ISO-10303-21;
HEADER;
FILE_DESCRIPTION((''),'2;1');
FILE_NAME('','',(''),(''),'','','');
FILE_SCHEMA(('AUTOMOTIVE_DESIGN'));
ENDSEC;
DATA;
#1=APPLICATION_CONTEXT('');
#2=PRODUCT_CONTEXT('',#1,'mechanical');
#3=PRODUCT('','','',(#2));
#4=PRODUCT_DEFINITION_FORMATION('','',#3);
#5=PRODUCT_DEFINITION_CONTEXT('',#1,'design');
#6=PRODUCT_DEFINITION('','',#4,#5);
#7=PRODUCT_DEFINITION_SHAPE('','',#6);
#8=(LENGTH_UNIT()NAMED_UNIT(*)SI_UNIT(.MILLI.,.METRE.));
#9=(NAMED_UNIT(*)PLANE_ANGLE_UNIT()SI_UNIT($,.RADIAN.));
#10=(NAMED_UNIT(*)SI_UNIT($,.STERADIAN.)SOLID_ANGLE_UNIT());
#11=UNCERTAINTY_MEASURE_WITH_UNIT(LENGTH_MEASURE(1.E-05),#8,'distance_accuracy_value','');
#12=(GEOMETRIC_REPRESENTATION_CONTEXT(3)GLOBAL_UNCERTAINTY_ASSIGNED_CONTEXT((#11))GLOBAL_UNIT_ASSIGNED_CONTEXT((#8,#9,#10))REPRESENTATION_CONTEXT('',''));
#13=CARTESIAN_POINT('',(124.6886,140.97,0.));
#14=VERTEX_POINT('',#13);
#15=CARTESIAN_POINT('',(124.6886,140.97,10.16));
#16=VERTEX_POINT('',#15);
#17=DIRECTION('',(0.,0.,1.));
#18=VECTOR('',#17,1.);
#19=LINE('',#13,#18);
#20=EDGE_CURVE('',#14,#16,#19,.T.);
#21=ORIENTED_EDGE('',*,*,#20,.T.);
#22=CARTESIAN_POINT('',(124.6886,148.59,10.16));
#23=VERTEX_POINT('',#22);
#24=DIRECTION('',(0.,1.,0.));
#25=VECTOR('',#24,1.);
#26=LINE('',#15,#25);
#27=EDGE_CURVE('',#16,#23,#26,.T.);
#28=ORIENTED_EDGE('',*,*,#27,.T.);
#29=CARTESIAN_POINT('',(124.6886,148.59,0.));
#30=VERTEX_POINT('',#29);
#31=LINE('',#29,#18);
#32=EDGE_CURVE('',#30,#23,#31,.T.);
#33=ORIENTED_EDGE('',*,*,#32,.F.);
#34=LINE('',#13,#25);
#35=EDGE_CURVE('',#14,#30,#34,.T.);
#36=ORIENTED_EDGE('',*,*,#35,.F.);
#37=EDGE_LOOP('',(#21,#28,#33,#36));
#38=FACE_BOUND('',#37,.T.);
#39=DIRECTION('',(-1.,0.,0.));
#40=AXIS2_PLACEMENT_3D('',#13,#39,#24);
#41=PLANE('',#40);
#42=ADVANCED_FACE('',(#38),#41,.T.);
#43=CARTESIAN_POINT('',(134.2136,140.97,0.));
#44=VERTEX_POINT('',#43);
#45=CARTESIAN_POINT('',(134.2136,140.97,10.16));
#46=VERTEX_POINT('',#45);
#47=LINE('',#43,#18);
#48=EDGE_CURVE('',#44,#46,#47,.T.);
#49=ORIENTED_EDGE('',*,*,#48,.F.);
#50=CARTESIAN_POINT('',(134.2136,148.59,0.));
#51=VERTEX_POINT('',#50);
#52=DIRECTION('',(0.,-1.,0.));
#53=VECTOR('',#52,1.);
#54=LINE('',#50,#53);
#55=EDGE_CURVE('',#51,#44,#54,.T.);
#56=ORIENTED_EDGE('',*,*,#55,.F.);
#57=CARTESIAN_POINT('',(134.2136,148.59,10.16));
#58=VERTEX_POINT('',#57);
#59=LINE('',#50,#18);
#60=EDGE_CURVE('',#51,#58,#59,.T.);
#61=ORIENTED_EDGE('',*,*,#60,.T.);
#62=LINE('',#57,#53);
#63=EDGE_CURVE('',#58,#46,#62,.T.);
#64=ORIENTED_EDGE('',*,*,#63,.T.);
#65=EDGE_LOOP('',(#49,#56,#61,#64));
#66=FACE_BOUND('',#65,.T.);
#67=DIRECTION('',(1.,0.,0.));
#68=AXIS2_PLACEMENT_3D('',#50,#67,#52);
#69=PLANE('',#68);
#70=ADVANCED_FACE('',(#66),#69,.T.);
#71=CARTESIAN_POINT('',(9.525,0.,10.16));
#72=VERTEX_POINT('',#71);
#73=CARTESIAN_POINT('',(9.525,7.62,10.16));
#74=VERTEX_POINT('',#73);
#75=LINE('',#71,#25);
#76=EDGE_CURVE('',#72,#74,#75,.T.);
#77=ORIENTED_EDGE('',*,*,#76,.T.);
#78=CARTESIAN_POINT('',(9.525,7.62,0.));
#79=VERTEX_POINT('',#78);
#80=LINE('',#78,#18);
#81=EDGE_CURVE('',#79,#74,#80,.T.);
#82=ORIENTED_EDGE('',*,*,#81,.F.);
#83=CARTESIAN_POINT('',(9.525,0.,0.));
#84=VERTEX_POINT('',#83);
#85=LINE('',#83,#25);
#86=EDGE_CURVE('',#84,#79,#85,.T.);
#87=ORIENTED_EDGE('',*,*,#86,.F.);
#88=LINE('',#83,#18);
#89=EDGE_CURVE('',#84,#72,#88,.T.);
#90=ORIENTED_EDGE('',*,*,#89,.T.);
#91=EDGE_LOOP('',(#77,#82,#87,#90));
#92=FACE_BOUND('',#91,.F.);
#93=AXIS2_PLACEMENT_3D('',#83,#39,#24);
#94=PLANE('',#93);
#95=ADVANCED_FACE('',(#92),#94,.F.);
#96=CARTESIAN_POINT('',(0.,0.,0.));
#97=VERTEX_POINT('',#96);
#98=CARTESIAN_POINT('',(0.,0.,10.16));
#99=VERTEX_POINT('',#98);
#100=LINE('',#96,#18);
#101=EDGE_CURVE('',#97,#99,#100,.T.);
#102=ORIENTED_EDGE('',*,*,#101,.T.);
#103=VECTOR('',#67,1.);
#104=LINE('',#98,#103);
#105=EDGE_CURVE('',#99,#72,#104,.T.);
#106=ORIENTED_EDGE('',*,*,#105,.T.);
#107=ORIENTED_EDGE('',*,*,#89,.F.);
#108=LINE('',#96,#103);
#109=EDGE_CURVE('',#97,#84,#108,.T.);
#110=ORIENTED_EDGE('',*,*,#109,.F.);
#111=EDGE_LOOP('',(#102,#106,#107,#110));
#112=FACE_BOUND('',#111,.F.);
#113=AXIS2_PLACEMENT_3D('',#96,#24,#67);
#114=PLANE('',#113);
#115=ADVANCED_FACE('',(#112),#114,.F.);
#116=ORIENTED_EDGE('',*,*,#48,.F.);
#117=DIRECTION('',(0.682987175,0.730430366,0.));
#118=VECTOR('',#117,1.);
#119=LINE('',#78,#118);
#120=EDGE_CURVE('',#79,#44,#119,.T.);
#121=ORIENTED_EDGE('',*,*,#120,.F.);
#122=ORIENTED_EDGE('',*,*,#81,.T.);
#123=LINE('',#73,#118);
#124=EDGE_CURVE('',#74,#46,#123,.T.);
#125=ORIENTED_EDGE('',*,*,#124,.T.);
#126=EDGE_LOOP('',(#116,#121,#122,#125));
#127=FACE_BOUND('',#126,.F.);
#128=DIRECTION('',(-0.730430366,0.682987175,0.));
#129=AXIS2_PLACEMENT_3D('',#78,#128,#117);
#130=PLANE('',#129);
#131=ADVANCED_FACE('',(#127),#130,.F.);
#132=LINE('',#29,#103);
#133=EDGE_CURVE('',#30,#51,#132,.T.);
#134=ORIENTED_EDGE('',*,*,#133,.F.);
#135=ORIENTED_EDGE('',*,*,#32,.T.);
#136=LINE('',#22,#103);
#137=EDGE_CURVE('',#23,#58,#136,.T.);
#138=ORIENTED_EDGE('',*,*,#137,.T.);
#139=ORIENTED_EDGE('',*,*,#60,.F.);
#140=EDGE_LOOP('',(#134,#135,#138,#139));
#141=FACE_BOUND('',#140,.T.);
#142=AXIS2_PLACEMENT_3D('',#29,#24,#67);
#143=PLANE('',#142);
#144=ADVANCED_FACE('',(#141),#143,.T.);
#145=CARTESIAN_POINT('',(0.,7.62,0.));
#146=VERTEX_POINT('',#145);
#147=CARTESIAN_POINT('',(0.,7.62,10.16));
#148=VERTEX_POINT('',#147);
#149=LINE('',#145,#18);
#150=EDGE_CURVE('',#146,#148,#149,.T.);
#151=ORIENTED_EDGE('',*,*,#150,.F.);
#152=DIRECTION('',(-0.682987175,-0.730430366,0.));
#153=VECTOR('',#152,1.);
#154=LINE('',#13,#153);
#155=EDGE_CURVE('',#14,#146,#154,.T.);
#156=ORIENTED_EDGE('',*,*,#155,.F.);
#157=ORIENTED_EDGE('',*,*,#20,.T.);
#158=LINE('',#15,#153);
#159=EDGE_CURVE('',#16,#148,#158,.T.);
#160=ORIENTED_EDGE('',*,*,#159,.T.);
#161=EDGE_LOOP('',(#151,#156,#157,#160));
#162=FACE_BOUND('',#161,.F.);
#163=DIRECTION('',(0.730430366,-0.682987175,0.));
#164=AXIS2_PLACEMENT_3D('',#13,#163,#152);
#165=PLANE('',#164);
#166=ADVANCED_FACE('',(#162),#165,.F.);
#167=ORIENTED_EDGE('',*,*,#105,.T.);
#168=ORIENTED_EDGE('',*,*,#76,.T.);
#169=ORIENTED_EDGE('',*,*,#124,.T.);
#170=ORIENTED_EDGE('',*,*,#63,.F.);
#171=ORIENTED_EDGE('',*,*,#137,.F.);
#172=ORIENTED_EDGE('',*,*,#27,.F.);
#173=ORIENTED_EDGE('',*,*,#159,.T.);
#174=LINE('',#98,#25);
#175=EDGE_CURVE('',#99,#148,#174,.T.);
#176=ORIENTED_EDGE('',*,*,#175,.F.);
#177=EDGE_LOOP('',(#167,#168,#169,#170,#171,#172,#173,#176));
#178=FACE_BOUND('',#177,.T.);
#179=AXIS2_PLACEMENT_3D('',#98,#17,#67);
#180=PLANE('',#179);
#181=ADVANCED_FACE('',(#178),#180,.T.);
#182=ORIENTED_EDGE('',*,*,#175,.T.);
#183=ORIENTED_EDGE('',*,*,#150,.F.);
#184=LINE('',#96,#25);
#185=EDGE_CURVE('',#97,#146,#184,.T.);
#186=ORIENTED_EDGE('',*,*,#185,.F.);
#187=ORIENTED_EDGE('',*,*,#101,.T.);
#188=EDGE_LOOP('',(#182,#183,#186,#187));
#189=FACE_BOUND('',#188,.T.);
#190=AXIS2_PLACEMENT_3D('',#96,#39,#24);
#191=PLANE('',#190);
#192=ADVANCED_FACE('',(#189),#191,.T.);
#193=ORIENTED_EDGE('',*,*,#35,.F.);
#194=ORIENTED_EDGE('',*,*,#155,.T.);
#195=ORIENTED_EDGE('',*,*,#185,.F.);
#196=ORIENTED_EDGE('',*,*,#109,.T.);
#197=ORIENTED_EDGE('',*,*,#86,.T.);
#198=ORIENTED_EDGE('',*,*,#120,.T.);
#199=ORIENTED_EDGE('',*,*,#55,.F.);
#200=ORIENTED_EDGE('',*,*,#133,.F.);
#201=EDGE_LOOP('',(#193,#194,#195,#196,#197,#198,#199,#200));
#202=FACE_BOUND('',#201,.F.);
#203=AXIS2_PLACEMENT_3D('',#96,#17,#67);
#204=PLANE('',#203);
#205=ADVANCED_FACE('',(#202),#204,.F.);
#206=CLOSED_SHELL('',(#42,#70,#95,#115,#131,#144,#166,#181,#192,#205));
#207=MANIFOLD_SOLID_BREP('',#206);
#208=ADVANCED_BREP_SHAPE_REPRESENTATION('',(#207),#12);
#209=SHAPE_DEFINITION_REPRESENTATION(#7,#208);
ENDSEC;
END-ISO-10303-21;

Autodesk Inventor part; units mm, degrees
ref_plane "YZ Plane" through (0, 0, 0) normal (1, 0, 0) x (0, 1, 0)
ref_plane "XZ Plane" through (0, 0, 0) normal (0, 1, 0) x (-1, 0, 0)
ref_plane "XY Plane" through (0, 0, 0) normal (0, 0, 1) x (1, 0, 0)
sketch "Sketch1" plane through (0, 0, 0) normal (0, 0, 1) x (1, 0, 0)
  line L0 (0, 0) -> (9.525, 0)
  line L1 (9.525, 0) -> (9.525, 7.62)
  line L2 (0, 0) -> (0, 7.62)
  line L3 (124.6886, 140.97) -> (124.6886, 148.59)
  line L4 (124.6886, 148.59) -> (134.2136, 148.59)
  line L5 (134.2136, 148.59) -> (134.2136, 140.97)
  line L6 (124.6886, 140.97) -> (0, 7.62)
  line L7 (9.525, 7.62) -> (134.2136, 140.97)
  dimension "d0" = 9.525
  dimension "d1" = 7.62
  dimension "d2" = 7.62
  dimension "d3" = 9.525
  dimension "d4" = 115.1636
  dimension "d5" = 133.35
  dimension "d6" = 7.62
extrude "Extrusion1" add sketch "Sketch1" along normal blind 10.16
properties part number "1Piecelongsupport_v1"
